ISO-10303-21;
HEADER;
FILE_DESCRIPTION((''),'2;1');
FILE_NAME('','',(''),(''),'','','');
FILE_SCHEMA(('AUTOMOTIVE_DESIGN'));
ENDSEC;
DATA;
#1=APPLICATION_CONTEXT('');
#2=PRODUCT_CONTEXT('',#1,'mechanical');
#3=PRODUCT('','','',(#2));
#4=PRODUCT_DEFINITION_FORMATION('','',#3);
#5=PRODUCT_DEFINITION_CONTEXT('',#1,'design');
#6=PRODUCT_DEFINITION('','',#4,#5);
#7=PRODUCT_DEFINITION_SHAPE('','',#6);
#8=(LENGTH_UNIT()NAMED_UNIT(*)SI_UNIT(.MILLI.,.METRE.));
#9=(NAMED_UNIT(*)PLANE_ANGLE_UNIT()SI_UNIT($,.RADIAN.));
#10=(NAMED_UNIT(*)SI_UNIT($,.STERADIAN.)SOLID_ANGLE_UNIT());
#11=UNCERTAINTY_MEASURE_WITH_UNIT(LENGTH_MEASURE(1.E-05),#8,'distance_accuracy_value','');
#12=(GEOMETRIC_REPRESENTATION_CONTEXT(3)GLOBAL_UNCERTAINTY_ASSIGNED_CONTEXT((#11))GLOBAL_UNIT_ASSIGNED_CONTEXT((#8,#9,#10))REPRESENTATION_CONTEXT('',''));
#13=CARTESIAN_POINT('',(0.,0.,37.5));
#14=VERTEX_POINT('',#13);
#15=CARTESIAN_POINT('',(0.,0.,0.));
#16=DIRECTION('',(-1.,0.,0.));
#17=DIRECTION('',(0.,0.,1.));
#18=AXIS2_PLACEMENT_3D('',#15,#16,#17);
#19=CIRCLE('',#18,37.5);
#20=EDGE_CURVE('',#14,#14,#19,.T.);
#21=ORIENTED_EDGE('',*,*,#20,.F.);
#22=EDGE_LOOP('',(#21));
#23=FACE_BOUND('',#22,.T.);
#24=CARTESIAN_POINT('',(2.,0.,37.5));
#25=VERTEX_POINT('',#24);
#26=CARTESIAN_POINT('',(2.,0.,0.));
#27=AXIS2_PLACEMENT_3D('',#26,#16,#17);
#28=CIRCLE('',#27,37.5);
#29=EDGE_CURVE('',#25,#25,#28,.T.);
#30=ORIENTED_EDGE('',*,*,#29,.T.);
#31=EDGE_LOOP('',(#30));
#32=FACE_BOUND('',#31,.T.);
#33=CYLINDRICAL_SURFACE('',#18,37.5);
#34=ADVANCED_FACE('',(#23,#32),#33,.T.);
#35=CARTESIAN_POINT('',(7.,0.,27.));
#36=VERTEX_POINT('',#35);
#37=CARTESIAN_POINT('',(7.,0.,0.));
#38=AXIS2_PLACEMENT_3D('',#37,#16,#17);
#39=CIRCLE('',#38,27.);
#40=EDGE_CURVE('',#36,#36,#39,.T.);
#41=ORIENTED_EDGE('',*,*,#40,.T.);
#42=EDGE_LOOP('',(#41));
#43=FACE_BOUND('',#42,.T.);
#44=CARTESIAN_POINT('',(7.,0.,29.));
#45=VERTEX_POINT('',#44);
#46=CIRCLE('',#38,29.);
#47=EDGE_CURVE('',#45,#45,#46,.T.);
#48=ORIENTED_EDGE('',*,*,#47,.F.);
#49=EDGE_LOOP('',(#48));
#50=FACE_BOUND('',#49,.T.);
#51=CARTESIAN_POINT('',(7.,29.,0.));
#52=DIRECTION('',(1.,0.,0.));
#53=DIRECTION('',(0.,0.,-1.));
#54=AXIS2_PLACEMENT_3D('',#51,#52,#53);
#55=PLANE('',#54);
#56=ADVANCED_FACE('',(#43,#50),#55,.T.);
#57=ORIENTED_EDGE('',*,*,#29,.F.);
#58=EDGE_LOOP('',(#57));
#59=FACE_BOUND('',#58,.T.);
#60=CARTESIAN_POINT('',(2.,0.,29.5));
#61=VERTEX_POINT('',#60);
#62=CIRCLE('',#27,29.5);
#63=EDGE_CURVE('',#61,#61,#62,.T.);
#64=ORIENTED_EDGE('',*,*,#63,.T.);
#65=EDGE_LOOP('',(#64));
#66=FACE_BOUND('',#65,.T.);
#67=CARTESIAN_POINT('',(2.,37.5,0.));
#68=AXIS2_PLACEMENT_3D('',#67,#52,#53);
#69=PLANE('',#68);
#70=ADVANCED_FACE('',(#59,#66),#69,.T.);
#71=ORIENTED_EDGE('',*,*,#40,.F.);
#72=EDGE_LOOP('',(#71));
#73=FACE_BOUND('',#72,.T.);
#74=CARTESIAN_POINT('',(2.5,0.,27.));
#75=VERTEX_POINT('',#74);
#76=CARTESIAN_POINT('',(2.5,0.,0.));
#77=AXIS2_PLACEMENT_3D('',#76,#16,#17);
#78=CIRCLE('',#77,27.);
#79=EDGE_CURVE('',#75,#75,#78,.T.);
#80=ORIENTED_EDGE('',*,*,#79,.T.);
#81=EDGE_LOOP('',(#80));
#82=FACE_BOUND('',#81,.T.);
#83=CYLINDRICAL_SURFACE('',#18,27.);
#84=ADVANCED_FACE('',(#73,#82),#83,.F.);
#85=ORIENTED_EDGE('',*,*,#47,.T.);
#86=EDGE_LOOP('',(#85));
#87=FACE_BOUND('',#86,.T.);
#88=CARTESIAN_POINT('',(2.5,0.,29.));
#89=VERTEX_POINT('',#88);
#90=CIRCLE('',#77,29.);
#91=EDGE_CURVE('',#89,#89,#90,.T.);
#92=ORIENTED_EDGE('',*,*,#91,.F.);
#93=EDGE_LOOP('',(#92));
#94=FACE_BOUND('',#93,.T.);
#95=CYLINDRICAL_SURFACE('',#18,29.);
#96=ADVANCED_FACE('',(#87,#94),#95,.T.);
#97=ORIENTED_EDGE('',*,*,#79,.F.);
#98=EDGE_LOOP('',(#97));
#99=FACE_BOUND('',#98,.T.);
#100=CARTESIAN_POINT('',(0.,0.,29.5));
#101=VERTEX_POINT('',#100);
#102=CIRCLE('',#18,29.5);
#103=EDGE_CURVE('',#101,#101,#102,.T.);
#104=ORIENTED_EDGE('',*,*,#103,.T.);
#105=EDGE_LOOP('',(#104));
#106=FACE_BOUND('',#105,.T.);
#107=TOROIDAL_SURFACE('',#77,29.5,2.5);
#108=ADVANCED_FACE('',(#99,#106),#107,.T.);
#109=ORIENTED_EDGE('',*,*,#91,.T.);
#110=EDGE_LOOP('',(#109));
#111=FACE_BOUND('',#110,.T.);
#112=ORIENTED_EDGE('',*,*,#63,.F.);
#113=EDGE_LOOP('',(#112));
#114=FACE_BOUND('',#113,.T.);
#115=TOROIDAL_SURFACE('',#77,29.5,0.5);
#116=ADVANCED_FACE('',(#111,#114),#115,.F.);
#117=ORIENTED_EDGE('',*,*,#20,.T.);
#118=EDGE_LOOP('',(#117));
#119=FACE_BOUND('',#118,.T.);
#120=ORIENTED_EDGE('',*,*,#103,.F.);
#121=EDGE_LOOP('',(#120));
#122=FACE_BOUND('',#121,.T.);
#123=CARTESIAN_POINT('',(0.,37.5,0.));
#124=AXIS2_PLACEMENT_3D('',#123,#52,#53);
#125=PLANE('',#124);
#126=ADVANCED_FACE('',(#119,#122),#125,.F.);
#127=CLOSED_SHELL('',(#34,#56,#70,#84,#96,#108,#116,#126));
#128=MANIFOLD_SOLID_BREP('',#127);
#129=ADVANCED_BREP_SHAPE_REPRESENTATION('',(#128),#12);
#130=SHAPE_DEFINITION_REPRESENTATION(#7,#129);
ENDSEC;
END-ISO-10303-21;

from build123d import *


with BuildPart() as part:
    # Esquisse1 → Base-Révol.-Mince (revolve)
    with BuildSketch(Plane.XY, mode=Mode.PRIVATE) as base_r_vol_mince_sk:
        with BuildLine():
            Line((0, 37.5), (0, 29.5))
            ThreePointArc((0, 29.5), (0.732233047, 27.732233047), (2.5, 27))
            Line((2.5, 27), (7, 27))
            Line((7, 27), (7, 29))
            Line((7, 29), (2.5, 29))
            ThreePointArc((2.5, 29), (2.146446609, 29.146446609), (2, 29.5))
            Line((2, 29.5), (2, 37.5))
            Line((2, 37.5), (0, 37.5))
        make_face()
    revolve(base_r_vol_mince_sk.sketch.rotate(Axis((0, 0, 0), (1, 0, 0)), 90), axis=Axis((0, 0, 0), (1, 0, 0)))


solid = part.part
